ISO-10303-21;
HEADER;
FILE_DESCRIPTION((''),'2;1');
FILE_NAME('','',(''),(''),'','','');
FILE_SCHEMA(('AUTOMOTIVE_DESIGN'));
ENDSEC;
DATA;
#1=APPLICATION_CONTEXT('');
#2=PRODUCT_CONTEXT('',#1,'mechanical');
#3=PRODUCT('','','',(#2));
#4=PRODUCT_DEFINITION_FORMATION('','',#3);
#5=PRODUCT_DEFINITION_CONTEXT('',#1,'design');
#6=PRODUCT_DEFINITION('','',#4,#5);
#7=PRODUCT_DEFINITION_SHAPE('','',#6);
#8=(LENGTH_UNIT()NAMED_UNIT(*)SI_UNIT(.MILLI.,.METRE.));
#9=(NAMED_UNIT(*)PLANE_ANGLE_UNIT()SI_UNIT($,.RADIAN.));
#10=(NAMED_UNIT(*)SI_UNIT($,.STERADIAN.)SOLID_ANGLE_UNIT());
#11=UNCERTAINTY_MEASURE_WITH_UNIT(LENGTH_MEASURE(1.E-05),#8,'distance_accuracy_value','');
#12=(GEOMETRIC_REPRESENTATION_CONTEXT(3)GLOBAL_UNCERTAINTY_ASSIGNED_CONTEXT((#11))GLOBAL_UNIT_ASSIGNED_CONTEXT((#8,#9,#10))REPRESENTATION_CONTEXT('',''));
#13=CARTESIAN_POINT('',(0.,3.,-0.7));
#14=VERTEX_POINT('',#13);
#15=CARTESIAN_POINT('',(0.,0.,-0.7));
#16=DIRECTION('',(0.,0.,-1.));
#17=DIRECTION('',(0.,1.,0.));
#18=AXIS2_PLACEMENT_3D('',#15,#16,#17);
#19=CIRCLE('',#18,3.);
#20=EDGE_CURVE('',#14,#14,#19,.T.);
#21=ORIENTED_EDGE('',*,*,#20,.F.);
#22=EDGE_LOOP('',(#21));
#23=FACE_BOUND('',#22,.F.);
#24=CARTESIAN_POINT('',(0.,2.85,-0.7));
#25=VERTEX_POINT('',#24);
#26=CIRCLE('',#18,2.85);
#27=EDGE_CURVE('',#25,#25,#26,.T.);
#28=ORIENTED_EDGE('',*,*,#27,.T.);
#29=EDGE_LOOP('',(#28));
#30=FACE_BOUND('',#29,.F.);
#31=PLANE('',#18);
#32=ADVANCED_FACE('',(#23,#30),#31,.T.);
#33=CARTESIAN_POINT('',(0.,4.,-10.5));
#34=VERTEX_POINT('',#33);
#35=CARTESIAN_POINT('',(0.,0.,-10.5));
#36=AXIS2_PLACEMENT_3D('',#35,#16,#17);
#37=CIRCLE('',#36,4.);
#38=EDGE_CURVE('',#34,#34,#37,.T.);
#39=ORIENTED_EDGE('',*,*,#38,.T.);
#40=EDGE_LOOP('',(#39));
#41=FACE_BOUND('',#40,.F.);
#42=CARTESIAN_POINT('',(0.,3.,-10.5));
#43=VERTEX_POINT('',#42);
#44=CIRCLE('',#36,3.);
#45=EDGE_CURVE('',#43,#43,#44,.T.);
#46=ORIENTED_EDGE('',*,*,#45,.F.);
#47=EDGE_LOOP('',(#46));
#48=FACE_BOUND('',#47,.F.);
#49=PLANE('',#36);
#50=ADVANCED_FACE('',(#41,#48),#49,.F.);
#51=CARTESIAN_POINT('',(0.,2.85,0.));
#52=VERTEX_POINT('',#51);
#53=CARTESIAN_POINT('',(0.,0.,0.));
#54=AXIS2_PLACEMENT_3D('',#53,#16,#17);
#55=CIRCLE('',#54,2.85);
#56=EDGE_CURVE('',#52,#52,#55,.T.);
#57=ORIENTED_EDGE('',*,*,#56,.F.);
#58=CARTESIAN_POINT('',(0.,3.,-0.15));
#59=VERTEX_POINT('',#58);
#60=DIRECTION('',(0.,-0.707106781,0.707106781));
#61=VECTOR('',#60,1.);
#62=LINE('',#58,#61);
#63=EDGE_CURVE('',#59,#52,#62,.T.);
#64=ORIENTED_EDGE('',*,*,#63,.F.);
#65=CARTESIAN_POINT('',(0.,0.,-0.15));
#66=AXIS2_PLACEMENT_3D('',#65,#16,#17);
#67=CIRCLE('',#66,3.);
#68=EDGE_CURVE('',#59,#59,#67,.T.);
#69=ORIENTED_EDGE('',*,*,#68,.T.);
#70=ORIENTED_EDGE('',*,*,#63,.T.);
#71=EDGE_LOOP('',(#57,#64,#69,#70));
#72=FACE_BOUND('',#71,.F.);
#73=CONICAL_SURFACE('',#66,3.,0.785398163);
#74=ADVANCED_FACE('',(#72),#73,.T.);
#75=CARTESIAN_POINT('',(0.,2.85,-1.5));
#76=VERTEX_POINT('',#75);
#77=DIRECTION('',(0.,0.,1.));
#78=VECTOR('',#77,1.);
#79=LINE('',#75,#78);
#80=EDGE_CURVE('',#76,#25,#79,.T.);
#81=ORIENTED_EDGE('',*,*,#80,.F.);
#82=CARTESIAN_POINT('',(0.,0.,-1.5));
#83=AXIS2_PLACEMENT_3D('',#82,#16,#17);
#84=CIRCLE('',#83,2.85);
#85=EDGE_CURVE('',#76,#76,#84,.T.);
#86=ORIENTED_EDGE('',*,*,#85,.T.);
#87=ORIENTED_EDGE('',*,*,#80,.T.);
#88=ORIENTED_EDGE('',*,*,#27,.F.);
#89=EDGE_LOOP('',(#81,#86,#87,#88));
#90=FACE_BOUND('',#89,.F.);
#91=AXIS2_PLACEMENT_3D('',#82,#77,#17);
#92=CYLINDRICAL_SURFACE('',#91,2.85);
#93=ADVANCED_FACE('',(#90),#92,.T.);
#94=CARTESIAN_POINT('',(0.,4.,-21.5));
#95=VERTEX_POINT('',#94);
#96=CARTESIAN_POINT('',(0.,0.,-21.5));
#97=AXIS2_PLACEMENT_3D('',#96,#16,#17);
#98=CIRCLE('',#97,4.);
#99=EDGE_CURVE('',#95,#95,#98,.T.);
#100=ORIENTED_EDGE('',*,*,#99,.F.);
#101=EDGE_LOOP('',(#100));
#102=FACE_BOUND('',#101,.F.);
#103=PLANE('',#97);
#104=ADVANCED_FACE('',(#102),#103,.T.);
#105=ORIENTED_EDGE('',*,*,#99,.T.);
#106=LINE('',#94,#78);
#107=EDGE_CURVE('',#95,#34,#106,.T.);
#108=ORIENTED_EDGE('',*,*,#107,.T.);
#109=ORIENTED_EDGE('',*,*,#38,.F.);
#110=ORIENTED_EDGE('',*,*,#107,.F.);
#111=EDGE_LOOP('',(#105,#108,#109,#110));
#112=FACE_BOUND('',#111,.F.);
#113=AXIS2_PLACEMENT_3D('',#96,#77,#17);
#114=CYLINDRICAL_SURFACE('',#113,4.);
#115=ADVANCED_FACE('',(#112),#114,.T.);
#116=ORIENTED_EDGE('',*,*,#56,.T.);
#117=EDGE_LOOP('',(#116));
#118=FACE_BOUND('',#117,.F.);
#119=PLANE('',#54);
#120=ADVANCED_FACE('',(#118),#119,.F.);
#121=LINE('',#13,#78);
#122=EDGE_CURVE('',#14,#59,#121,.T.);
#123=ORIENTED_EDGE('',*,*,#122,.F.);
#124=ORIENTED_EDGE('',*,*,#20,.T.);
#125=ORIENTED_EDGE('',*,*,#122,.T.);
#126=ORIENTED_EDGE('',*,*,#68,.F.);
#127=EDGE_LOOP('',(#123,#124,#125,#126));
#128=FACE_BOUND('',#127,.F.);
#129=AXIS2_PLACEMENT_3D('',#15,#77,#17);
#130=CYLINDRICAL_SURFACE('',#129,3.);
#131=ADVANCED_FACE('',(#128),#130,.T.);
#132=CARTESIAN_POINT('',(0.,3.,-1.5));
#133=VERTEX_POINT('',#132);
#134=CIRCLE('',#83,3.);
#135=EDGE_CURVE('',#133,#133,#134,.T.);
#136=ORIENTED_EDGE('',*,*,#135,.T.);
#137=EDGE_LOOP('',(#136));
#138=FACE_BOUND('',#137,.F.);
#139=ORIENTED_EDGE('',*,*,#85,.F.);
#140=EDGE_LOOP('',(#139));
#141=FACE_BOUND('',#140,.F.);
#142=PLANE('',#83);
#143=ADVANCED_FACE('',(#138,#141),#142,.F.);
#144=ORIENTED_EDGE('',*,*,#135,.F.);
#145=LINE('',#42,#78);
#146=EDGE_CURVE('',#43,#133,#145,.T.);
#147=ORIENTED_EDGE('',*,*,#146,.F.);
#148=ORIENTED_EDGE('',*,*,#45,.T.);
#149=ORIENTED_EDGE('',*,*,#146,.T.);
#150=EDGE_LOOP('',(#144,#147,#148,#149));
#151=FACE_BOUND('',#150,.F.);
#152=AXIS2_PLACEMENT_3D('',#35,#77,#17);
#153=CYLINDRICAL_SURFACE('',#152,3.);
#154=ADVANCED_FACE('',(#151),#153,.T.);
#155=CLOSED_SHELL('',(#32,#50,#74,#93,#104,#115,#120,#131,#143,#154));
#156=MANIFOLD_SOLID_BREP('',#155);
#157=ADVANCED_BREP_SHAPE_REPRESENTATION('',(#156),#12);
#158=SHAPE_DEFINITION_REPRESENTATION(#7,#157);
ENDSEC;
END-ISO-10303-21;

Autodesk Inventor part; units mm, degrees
ref_plane "YZ Plane" through (0, 0, 0) normal (1, 0, 0) x (0, 1, 0)
ref_plane "XZ Plane" through (0, 0, 0) normal (0, 1, 0) x (-1, 0, 0)
ref_plane "XY Plane" through (0, 0, 0) normal (0, 0, 1) x (1, 0, 0)
sketch "Sketch1" plane through (0, 0, 0) normal (1, 0, 0) x (0, 1, 0)
  line L0 (0, 0) -> (0, -21.5)
  line L1 (0, -21.5) -> (4, -21.5)
  line L2 (4, -21.5) -> (4, -10.5)
  line L3 (4, -10.5) -> (3, -10.5)
  line L4 (3, -10.5) -> (3, -1.5)
  line L5 (3, -1.5) -> (2.85, -1.5)
  line L6 (2.85, -1.5) -> (2.85, -0.7)
  line L7 (2.85, -0.7) -> (3, -0.7)
  line L8 (3, -0.7) -> (3, -0.15)
  line L9 (3, -0.15) -> (2.85, 0)
  line L10 (2.85, 0) -> (0, 0)
  dimension "d0" = 21.5
  dimension "d1" = 0.15
  dimension "d2" = 0.15
  dimension "d3" = 0.7
  dimension "d4" = 0.15
  dimension "d5" = 0.8
  dimension "d6" = 11
  dimension "d7" = 9
  dimension "d8" = 4
  dimension "d9" = 3
revolve "Revolution1" add sketch "Sketch1" angle 360 about axis through (0, 0, 0) along (0, 0, -1)
properties part number "Component 3 (Planet Gear Axis)"
